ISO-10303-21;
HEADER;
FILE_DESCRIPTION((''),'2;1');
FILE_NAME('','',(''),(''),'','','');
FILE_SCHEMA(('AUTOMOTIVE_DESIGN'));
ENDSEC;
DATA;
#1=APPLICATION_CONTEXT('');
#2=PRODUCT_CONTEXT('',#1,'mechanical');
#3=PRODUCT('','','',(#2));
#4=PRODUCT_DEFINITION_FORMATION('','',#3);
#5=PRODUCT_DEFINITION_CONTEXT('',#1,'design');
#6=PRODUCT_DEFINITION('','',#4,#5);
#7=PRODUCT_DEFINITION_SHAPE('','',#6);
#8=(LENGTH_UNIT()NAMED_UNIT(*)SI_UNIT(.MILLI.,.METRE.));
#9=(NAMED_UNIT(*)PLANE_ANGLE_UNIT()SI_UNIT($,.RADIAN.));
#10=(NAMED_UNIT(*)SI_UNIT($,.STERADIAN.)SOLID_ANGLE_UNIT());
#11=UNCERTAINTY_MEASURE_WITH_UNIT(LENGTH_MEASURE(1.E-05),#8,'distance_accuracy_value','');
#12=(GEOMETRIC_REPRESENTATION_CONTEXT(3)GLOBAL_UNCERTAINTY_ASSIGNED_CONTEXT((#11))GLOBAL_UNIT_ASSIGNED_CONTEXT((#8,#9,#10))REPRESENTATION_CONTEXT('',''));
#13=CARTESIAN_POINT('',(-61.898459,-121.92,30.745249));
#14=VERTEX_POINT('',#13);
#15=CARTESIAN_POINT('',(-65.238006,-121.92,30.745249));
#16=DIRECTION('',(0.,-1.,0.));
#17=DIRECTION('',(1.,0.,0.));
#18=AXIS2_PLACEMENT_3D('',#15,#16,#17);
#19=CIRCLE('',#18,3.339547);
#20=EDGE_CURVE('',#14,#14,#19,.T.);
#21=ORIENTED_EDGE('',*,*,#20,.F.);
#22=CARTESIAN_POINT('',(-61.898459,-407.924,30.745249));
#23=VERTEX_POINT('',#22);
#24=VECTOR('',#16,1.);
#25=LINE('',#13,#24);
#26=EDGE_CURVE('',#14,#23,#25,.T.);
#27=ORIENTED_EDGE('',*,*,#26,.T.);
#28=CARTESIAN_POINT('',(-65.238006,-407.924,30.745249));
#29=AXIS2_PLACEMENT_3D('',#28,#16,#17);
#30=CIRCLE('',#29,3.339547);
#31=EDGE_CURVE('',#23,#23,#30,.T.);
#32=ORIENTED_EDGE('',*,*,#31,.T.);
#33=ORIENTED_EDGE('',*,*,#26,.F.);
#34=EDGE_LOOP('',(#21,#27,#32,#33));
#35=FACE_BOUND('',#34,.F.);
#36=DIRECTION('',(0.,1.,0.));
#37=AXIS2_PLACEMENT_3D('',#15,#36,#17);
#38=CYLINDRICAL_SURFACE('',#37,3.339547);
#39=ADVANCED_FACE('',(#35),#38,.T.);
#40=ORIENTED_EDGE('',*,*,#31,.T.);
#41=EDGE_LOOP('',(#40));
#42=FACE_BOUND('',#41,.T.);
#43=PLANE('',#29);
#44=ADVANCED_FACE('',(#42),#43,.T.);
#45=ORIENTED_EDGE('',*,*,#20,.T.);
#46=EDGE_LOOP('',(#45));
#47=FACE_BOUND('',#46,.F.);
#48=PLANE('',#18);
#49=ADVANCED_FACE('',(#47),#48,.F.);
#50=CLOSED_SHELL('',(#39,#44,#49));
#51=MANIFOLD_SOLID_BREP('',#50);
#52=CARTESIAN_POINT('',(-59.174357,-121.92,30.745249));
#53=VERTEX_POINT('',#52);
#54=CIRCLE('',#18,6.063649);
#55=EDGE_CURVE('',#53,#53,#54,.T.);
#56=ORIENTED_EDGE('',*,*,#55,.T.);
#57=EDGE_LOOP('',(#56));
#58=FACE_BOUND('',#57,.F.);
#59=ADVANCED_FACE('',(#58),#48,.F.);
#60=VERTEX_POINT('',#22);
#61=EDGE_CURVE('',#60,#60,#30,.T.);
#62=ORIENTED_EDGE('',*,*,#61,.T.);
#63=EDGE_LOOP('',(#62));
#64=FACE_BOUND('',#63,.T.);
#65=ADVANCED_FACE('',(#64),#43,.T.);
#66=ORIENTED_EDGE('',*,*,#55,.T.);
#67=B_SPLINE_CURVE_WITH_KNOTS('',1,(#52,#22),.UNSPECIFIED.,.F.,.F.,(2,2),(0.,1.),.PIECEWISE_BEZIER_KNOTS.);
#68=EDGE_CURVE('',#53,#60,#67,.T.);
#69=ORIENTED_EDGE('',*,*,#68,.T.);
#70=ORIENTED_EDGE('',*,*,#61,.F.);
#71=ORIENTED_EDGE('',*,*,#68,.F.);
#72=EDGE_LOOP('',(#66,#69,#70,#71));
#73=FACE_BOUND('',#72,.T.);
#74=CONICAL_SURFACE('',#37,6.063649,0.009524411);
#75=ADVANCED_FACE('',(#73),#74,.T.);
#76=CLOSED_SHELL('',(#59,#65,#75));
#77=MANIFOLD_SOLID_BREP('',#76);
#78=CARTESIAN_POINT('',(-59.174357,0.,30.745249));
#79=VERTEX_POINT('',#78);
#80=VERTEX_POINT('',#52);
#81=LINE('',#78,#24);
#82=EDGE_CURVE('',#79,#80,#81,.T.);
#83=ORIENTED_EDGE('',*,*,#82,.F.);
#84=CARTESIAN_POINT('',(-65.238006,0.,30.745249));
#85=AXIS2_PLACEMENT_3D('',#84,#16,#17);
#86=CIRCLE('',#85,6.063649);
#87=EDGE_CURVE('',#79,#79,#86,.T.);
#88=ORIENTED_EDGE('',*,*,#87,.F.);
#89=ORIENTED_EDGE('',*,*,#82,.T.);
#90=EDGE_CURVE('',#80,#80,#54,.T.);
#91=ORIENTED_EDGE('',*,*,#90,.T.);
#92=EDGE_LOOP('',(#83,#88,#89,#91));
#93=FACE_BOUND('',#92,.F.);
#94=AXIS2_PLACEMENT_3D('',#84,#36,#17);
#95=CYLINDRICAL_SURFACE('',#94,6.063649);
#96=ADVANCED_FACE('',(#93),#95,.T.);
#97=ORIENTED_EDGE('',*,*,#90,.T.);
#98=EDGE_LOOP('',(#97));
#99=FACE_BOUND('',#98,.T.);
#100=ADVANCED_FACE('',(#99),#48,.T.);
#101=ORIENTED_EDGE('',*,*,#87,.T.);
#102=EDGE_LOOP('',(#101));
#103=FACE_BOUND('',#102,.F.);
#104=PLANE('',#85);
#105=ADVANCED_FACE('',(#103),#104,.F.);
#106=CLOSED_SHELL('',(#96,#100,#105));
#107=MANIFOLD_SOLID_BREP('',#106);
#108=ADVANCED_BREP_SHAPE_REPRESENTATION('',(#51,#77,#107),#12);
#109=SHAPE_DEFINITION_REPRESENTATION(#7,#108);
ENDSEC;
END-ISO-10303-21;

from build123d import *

# Parameters (mm, degrees)
F1_R      = 6.063649
F2_DEPTH  = 121.92
F3_R      = 3.339547
F4_DEPTH  = 286.004
F2_FACE_R = 6.063649
F4_FACE_R = 3.339547


with BuildPart() as f2:
    # F1 (on face) → F2 (new body)
    with BuildSketch(Plane.XZ):
        with Locations((-65.238006, 30.745249)):
            Circle(F1_R)
    extrude(amount=F2_DEPTH)


with BuildPart() as f4:
    # F3 (on face) → F4 (new body)
    with BuildSketch(Plane.XZ.offset(121.92)):
        with Locations((-65.238006, 30.745249)):
            Circle(F3_R)
    extrude(amount=F4_DEPTH)


with BuildPart() as f5:
    # F2_face (on face) → F5 section 0
    with BuildSketch(Plane(origin=(-65.238006, -121.92, 30.745249), x_dir=(1, 0, 0), z_dir=(0, -1, 0))):
        Circle(F2_FACE_R)
    # F4_face (on face) → F5 section 1
    with BuildSketch(Plane(origin=(-65.238006, -407.924, 30.745249), x_dir=(1, 0, 0), z_dir=(0, -1, 0))):
        Circle(F4_FACE_R)
    loft()


solid = Compound([f2.part, f4.part, f5.part])
